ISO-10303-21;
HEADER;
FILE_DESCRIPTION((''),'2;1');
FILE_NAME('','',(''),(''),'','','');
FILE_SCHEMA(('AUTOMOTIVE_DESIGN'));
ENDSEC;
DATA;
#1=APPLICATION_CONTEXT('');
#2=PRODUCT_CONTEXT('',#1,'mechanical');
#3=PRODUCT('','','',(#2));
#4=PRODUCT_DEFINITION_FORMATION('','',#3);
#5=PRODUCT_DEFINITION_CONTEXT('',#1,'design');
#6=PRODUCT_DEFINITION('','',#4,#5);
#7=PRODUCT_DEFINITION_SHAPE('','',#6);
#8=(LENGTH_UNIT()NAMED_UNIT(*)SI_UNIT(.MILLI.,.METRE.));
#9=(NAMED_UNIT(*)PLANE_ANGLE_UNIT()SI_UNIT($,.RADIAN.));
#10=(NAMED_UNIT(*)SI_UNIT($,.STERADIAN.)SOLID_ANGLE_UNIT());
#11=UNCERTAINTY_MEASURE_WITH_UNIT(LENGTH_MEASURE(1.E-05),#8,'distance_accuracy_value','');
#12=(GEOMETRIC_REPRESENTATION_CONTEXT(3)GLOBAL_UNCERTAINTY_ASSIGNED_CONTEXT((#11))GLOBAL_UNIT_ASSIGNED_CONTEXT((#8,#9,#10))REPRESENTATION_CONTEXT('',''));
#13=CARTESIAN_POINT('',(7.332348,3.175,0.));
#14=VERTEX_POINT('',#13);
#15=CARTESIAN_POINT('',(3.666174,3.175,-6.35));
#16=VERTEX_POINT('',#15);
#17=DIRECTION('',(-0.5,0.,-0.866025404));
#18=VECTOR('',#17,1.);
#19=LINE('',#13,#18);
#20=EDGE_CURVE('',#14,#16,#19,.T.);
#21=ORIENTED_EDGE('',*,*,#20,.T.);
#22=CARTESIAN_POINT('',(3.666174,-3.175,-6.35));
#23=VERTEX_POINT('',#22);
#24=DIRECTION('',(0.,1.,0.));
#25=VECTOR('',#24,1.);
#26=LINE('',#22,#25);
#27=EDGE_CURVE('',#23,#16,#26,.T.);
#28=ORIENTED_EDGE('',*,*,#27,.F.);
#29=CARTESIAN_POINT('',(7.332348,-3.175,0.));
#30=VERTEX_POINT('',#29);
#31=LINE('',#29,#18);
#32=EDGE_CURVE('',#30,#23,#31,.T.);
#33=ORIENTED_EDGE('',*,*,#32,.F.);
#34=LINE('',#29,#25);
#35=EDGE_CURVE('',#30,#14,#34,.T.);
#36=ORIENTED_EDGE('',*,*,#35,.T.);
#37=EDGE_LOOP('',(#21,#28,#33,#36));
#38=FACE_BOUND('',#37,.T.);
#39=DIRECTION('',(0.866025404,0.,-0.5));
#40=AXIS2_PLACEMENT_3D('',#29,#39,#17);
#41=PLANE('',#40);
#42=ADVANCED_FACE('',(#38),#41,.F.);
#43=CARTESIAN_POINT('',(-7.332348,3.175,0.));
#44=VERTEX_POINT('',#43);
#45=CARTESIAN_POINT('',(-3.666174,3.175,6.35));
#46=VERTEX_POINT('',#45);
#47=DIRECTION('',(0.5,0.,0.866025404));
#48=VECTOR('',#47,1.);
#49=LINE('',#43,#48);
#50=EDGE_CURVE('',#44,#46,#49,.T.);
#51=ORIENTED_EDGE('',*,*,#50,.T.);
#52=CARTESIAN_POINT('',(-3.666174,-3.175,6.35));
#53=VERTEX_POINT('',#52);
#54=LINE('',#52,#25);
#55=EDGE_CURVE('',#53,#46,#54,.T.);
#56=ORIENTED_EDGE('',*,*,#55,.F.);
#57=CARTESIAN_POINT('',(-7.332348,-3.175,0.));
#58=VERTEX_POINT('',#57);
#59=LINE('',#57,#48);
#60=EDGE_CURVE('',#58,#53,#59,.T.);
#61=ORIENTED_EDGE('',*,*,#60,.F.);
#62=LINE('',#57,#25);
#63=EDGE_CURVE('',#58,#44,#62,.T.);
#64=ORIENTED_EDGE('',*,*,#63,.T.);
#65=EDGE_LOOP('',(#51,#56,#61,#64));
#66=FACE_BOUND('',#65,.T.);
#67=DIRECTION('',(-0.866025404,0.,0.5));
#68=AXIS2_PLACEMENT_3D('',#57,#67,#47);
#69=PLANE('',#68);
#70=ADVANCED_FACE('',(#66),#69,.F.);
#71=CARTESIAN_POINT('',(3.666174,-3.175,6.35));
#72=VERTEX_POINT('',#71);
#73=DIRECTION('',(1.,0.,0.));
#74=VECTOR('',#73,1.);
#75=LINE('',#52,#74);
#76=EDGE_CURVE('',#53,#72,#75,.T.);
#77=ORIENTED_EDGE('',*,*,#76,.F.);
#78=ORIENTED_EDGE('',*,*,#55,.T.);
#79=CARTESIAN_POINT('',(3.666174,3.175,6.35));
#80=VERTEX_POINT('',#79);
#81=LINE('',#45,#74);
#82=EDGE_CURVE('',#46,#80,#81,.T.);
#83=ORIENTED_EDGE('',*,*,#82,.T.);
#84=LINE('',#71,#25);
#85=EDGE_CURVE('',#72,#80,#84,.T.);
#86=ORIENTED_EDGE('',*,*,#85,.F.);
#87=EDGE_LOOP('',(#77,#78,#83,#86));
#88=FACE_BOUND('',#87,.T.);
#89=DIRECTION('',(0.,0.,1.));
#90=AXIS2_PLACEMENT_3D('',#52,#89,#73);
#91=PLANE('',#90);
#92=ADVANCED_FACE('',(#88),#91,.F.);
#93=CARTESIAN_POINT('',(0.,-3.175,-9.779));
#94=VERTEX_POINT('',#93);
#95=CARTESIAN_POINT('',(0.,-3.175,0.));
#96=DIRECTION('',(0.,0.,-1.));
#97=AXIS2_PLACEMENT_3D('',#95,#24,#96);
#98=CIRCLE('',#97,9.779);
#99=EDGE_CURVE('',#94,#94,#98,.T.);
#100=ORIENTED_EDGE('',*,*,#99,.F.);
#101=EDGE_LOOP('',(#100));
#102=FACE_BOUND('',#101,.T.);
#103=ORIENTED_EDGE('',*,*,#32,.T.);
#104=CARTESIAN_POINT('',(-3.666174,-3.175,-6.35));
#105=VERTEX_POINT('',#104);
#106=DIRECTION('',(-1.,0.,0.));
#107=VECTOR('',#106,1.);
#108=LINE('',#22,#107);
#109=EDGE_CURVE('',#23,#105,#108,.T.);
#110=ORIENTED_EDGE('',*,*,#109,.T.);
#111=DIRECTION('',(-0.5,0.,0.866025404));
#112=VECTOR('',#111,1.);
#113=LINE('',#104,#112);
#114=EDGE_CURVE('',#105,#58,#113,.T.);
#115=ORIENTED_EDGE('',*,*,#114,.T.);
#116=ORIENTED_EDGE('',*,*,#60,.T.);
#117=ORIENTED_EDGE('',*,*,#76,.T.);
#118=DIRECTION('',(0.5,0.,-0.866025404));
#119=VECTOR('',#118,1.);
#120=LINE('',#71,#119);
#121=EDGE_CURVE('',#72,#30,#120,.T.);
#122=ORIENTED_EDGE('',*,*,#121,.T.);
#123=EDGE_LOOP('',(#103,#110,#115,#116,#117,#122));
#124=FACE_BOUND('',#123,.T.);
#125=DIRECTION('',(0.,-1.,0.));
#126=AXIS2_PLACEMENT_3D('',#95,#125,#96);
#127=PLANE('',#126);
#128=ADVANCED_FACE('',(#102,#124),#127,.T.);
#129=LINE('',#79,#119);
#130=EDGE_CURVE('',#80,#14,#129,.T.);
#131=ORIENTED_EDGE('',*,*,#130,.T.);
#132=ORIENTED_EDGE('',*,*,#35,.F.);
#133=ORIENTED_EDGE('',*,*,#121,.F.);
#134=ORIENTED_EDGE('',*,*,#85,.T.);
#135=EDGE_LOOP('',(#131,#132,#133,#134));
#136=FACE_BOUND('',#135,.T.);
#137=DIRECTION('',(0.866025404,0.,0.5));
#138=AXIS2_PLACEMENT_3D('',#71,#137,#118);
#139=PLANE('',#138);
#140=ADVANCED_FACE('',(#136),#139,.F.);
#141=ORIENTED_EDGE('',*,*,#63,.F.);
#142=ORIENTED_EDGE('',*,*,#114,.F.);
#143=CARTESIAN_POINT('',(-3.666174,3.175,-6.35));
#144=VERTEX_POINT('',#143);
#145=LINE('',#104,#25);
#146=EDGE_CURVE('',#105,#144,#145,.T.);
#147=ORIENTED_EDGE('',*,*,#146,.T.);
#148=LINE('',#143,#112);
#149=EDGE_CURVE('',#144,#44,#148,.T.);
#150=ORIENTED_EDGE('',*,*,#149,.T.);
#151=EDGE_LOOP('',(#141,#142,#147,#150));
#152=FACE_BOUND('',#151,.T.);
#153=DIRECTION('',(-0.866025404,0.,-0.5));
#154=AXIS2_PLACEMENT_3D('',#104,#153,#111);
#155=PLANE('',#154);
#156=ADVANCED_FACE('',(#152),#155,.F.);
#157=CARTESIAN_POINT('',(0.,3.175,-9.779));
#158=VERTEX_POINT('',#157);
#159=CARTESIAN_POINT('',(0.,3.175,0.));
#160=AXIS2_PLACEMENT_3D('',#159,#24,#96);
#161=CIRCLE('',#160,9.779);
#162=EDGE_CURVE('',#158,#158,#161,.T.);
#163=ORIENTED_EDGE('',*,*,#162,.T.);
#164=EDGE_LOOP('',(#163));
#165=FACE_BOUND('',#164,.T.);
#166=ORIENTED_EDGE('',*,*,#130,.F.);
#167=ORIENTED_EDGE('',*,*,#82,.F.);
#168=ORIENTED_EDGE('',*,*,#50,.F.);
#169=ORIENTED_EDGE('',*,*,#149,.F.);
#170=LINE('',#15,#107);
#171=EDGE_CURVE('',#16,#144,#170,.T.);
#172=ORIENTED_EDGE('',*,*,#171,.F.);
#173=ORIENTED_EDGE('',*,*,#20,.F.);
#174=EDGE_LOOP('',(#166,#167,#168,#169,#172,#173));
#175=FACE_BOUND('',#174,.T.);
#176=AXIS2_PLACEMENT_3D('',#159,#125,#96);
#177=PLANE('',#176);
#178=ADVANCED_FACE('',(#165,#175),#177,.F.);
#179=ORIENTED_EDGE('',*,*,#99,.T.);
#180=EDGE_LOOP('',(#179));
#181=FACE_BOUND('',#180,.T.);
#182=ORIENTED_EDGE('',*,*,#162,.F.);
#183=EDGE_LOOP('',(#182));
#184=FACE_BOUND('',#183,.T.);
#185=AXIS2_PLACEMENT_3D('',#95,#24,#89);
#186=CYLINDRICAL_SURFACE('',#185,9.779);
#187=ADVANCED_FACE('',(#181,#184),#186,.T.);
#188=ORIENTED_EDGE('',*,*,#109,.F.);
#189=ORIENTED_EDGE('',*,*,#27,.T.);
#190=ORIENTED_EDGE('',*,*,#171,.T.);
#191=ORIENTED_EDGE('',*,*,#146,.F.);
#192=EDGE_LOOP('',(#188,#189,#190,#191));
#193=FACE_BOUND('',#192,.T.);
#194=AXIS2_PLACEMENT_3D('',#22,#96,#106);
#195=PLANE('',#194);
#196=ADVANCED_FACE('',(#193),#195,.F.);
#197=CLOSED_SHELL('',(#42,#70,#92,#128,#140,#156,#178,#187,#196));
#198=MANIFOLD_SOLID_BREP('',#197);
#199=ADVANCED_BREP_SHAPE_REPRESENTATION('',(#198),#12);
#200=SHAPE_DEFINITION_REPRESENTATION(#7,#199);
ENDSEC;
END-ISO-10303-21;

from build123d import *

# Parameters (mm, degrees)
SKETCH1_R           = 9.779
BOSS_EXTRUDE1_DEPTH = 3.175


with BuildPart() as part:
    # Sketch1 → Boss-Extrude1 (new body, symmetric)
    with BuildSketch(Plane(origin=(0, 0, 0), x_dir=(1, 0, 0), z_dir=(0, 1, 0))):
        Circle(SKETCH1_R)
        Polygon((-3.666174209, 6.35), (-7.332348419, 0), (-3.666174209, -6.35), (3.666174209, -6.35), (7.332348419, 0), (3.666174209, 6.35), align=None, mode=Mode.SUBTRACT)
    extrude(amount=BOSS_EXTRUDE1_DEPTH, both=True)


solid = part.part
